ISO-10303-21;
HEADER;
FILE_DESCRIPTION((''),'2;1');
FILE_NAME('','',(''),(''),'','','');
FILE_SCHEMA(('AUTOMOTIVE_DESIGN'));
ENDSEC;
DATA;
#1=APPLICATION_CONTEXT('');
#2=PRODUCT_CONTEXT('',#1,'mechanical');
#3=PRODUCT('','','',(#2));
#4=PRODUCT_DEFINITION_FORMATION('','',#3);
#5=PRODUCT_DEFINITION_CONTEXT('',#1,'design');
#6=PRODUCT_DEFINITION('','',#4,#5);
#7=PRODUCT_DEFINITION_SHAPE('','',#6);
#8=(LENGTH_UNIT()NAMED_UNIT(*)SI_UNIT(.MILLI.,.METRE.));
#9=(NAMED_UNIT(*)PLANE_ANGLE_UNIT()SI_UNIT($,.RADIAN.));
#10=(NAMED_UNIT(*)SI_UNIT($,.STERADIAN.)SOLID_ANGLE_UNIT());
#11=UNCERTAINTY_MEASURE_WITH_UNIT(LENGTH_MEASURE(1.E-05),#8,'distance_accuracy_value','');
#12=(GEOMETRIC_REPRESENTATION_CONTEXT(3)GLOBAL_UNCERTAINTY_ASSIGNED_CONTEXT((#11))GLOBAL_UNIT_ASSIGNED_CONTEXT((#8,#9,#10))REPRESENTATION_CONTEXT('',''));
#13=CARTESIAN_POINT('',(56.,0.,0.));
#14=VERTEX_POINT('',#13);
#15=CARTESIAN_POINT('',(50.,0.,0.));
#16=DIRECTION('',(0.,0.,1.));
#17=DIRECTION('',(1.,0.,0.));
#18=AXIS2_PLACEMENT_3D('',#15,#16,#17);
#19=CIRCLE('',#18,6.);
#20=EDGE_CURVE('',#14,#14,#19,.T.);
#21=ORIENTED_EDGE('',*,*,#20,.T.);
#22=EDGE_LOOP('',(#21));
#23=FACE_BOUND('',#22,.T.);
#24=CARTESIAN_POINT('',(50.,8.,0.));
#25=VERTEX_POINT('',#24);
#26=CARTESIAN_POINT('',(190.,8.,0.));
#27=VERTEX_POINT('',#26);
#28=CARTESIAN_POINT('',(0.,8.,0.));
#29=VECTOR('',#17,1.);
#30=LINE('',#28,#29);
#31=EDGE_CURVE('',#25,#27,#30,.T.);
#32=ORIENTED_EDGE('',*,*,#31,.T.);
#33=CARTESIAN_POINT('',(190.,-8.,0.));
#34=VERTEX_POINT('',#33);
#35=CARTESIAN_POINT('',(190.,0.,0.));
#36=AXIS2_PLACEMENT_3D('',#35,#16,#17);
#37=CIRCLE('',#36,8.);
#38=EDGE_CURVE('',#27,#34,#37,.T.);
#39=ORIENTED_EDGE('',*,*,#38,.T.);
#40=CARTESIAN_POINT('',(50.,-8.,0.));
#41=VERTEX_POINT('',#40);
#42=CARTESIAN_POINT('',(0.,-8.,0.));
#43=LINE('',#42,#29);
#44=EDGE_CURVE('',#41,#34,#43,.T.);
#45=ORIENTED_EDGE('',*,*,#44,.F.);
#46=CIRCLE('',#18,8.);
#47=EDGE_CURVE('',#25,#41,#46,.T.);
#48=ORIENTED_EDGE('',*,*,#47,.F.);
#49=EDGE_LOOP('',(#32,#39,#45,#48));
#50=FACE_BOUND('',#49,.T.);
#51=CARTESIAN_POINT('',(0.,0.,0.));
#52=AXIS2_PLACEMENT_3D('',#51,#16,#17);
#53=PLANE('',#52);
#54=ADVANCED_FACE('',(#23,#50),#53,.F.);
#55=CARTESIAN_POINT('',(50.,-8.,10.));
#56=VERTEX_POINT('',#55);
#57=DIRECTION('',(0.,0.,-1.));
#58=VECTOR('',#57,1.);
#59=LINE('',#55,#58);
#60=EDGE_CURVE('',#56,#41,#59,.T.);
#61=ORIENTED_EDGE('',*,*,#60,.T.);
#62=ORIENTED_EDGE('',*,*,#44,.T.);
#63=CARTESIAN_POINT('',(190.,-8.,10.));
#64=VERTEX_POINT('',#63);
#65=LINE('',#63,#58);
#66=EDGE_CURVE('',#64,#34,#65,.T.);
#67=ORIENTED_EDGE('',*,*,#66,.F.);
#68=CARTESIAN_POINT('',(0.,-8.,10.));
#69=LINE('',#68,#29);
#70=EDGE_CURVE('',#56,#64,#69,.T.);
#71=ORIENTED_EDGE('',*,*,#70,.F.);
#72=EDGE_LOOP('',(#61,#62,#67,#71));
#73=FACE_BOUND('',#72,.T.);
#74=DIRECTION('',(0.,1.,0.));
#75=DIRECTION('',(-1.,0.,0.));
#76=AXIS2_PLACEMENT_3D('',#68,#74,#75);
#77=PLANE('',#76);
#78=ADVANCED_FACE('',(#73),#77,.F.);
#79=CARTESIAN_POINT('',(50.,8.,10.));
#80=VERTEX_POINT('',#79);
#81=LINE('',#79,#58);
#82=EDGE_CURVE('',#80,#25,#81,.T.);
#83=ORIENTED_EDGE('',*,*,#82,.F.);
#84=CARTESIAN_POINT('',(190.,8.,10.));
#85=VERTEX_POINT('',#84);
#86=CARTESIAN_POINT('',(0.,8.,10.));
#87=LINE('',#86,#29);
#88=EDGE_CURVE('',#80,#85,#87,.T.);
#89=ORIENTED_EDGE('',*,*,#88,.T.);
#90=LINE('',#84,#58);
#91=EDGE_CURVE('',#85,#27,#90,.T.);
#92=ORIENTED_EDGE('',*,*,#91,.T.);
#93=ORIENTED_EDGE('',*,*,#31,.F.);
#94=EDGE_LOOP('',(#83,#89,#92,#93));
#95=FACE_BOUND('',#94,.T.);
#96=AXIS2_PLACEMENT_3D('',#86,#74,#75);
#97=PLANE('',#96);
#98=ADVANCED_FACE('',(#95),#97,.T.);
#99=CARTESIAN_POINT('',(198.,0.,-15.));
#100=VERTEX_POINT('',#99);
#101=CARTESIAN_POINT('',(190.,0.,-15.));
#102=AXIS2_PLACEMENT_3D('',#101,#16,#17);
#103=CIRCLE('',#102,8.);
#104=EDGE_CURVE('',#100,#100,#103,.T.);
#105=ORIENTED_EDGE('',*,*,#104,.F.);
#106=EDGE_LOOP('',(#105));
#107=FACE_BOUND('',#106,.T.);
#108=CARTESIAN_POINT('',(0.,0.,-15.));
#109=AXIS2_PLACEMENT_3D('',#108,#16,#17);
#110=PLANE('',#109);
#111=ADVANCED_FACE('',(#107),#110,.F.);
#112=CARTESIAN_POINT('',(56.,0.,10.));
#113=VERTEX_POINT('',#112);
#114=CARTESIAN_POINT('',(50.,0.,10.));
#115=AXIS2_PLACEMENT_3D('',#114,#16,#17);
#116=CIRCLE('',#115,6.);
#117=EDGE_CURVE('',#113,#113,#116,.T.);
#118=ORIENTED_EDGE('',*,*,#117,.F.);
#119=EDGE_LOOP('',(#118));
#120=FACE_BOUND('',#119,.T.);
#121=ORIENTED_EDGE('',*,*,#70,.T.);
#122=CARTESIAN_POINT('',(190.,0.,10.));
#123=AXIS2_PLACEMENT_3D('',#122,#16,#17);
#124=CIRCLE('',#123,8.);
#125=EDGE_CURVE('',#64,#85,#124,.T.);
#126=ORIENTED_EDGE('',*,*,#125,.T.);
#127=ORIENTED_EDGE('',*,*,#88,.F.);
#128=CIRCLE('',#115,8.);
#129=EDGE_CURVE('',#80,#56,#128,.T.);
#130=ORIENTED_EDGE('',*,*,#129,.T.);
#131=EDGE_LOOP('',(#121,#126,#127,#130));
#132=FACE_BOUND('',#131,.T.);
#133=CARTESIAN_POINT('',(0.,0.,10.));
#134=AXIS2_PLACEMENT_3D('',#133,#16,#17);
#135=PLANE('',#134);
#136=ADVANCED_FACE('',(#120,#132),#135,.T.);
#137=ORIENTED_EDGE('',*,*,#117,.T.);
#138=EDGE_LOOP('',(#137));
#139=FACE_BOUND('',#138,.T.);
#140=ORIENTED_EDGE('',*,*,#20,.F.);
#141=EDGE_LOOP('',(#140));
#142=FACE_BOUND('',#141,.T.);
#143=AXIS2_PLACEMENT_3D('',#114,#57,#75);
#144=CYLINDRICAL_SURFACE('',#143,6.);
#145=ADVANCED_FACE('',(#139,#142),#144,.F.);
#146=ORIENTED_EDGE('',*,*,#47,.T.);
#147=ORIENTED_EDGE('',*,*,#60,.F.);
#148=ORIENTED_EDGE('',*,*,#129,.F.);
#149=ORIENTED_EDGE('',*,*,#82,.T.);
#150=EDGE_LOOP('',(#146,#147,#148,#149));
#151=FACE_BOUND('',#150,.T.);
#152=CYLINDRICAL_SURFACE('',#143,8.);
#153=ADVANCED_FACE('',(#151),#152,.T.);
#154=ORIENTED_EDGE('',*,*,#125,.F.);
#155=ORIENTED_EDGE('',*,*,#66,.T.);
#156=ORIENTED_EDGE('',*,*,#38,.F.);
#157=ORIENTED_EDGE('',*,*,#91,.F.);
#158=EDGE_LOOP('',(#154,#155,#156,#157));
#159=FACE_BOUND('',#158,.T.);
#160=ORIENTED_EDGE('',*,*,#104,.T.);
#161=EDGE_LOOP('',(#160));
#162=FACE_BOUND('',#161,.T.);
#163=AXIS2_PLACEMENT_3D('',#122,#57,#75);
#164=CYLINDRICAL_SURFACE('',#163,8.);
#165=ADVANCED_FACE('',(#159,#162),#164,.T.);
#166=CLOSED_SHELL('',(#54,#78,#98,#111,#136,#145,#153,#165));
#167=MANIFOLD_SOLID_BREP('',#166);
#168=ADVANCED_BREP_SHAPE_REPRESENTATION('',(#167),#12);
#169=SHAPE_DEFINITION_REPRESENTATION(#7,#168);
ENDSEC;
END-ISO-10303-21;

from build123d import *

# Parameters (mm, degrees)
SKETCH1_R           = 6
BOSS_EXTRUDE1_DEPTH = 10
BOSS_EXTRUDE2_START = -15
BOSS_EXTRUDE2_DEPTH = 15


with BuildPart() as part:
    # Sketch1 → Boss-Extrude1 (new body)
    with BuildSketch(Plane.XY):
        with BuildLine():
            Line((190, 8), (50, 8))
            ThreePointArc((50, 8), (42, 0), (50, -8))
            Line((50, -8), (190, -8))
            ThreePointArc((190, -8), (198, 0), (190, 8))
        make_face()
        with Locations((50, 0)):
            Circle(SKETCH1_R, mode=Mode.SUBTRACT)
    extrude(amount=BOSS_EXTRUDE1_DEPTH)

    # Sketch1<6> → Boss-Extrude2 (add)
    with BuildSketch(Plane.XY.offset(BOSS_EXTRUDE2_START)):
        with BuildLine():
            ThreePointArc((198, 0), (195.656854249, 5.656854249), (190, 8))
            ThreePointArc((190, 8), (182, 0), (190, -8))
            ThreePointArc((190, -8), (195.656854249, -5.656854249), (198, 0))
        make_face()
    extrude(amount=BOSS_EXTRUDE2_DEPTH)


solid = part.part
